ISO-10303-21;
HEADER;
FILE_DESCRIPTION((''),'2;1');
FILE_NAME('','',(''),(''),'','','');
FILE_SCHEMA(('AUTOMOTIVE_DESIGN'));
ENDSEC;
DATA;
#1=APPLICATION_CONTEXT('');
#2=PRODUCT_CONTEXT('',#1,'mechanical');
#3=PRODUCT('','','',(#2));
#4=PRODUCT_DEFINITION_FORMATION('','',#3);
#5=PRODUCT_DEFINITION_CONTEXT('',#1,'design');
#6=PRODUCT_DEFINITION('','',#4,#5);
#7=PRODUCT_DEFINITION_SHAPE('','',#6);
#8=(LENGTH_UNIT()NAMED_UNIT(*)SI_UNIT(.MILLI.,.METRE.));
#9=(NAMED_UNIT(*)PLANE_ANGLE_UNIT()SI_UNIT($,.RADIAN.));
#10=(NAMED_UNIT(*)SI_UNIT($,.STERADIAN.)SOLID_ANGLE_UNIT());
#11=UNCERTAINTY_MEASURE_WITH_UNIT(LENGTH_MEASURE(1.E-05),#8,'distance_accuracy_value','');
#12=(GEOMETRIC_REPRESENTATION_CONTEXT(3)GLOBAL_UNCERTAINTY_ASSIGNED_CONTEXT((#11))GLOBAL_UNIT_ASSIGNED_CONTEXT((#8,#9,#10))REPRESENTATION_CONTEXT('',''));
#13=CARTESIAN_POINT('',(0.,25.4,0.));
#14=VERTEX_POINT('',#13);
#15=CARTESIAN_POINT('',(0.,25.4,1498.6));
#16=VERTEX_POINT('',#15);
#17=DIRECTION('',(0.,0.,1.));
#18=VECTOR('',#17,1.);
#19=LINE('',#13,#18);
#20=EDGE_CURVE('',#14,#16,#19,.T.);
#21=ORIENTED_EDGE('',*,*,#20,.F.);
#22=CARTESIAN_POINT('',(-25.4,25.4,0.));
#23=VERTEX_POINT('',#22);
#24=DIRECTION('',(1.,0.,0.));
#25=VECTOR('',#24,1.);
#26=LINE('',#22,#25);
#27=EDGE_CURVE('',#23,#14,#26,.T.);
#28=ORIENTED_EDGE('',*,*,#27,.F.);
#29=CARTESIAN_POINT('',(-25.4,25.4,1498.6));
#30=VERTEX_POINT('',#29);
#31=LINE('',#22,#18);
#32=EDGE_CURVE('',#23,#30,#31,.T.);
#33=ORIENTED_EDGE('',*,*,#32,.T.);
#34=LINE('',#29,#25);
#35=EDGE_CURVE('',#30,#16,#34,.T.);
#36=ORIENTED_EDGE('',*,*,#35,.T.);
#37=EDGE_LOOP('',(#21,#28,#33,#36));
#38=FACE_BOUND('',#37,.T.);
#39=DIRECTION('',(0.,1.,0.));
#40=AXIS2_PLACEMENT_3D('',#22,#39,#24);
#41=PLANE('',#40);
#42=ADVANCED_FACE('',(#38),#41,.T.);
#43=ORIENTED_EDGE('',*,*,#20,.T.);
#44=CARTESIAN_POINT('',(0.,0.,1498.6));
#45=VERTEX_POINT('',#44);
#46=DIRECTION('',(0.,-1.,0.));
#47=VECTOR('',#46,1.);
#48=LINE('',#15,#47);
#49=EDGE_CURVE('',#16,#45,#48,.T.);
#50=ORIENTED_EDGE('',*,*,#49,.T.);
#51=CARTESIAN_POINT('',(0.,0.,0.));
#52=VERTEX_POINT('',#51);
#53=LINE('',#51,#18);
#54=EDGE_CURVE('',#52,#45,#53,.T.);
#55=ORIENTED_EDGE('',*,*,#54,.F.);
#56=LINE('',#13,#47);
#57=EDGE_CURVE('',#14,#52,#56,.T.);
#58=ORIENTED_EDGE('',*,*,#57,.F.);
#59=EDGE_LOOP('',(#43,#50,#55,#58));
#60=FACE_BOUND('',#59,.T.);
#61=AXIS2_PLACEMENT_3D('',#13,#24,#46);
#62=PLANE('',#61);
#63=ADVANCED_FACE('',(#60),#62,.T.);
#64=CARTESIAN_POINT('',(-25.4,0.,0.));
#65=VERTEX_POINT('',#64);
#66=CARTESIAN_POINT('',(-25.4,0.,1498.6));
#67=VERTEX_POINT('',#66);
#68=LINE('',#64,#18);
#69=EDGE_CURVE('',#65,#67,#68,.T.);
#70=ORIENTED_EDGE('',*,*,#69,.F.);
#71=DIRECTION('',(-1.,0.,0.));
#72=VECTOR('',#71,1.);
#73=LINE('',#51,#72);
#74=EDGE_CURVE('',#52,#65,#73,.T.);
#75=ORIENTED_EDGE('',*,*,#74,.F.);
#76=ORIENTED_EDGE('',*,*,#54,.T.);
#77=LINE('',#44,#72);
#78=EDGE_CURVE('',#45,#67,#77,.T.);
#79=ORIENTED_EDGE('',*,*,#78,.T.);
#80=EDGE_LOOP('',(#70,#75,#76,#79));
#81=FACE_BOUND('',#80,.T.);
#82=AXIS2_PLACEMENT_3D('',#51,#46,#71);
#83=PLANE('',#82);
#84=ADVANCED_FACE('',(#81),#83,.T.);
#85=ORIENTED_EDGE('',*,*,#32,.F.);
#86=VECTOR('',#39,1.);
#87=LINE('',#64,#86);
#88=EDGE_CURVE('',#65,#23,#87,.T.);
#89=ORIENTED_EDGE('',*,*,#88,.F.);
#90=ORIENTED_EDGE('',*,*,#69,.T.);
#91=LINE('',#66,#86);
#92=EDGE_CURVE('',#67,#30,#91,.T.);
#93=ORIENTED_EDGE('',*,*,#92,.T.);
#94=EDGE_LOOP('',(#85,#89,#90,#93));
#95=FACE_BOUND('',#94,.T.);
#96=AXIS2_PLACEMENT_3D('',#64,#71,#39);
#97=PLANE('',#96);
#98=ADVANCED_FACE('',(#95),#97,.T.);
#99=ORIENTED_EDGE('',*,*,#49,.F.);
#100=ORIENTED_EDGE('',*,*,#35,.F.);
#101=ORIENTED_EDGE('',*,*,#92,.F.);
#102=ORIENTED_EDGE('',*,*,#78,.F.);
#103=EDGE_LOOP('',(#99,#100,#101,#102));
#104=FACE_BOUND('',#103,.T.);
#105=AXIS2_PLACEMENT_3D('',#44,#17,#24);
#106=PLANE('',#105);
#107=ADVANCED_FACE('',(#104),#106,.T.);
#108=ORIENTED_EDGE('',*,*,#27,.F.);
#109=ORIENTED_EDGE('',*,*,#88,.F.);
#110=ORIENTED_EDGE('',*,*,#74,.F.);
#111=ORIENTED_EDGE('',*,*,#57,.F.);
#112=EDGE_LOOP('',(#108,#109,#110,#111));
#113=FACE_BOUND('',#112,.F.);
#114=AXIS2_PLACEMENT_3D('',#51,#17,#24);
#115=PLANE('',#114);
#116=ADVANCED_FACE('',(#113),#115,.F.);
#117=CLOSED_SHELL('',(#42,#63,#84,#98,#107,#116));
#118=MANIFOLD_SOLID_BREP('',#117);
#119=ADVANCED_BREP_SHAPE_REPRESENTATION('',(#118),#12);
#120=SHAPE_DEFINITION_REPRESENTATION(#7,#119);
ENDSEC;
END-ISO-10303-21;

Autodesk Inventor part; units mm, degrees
ref_plane "YZ Plane" through (0, 0, 0) normal (1, 0, 0) x (0, 1, 0)
ref_plane "XZ Plane" through (0, 0, 0) normal (0, 1, 0) x (-1, 0, 0)
ref_plane "XY Plane" through (0, 0, 0) normal (0, 0, 1) x (1, 0, 0)
sketch "Sketch1" plane through (0, 0, 0) normal (0, 0, 1) x (1, 0, 0)
  line L0 (0, 0) -> (-25.4, 0)
  line L1 (-25.4, 0) -> (-25.4, 25.4)
  line L2 (-25.4, 25.4) -> (0, 25.4)
  line L3 (0, 25.4) -> (0, 0)
  dimension "d0" = 25.4
  dimension "d1" = 25.4
extrude "Extrusion1" add sketch "Sketch1" along normal blind 1498.6
properties part number "VersaFrame 1x1"
